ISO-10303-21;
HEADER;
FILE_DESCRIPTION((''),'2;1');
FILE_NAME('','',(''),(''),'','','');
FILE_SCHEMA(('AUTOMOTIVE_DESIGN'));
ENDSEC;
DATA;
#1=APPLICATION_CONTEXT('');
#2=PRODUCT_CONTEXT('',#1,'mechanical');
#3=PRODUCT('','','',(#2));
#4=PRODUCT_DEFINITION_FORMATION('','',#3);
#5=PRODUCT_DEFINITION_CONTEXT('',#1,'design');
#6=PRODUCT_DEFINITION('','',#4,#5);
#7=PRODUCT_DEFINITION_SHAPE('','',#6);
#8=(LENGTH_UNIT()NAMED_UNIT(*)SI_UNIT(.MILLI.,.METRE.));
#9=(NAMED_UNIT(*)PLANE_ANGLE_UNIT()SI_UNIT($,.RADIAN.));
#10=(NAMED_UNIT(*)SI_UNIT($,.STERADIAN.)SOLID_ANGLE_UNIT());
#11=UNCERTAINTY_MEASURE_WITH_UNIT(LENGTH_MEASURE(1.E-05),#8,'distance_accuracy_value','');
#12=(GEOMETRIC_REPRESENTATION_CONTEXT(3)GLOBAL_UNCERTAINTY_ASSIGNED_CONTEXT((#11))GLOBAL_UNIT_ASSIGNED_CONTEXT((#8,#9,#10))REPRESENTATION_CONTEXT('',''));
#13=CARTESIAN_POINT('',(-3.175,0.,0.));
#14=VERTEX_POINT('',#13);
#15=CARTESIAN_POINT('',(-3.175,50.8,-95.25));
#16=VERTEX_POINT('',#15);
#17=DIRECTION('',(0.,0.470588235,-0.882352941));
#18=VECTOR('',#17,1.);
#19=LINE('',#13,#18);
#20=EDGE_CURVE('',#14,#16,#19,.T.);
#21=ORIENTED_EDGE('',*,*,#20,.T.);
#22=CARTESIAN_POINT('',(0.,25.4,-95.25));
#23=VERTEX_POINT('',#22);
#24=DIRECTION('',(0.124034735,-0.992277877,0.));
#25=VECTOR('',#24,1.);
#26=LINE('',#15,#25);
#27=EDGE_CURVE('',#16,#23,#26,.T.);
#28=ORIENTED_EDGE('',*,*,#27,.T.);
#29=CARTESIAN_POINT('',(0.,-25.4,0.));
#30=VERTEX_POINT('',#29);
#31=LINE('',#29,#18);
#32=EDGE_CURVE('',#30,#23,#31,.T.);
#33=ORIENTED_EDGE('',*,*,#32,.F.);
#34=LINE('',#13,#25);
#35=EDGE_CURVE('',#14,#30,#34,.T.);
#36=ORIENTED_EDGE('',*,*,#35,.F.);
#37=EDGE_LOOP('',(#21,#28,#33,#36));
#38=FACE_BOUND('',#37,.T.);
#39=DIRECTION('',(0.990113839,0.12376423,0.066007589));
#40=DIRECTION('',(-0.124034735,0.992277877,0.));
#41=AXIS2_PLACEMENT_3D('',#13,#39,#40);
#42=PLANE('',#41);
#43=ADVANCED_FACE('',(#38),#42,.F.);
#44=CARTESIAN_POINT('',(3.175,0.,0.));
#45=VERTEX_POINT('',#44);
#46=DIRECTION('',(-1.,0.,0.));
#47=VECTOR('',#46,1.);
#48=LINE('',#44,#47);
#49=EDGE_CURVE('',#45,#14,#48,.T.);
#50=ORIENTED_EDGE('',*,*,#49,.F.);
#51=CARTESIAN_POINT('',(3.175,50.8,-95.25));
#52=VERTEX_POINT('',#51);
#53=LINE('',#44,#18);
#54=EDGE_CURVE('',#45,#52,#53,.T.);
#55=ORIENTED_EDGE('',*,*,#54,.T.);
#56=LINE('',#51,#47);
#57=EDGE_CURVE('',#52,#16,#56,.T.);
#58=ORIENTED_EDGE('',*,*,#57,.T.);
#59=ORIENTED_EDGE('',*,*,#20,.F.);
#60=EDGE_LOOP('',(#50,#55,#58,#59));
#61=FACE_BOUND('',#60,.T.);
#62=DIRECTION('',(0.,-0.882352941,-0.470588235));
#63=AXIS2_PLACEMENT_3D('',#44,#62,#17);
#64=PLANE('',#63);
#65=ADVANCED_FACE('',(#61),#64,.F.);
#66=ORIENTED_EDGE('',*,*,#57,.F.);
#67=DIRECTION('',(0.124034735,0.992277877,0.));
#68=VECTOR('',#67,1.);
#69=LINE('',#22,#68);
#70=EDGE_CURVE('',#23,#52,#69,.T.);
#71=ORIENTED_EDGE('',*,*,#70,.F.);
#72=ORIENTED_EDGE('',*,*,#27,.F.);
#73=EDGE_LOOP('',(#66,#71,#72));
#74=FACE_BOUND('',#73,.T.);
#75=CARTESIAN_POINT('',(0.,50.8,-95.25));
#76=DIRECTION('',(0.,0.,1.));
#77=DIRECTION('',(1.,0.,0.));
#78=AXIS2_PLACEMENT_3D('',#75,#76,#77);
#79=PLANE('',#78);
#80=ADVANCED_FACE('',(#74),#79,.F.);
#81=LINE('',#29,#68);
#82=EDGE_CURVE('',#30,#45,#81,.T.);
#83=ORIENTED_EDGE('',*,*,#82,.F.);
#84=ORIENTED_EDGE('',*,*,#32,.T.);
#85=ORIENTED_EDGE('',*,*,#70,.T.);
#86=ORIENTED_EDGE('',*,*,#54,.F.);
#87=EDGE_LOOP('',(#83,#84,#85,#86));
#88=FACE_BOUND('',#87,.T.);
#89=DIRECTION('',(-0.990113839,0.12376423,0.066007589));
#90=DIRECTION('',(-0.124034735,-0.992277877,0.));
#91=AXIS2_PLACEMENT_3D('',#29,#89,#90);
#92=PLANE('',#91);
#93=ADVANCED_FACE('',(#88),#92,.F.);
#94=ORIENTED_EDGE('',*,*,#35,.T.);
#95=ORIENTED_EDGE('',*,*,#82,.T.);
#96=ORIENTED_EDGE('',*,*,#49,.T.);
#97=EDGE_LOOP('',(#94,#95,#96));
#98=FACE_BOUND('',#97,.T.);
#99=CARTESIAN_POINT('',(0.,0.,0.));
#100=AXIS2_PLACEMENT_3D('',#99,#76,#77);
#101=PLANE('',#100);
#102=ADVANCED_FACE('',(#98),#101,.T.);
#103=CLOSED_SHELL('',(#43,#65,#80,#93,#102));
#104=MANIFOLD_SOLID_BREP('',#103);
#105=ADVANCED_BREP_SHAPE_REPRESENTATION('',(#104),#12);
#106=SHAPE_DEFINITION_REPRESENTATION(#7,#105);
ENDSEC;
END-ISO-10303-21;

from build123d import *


with BuildPart() as part:
    # Sweep1: sweep along a path in Sketch1
    with BuildLine(Plane(origin=(0, 0, 0), x_dir=(0, 0, -1), z_dir=(1, 0, 0))) as sweep1_path:
        Line((0, 0), (95.25, 50.8))
    # Sketch2 → Sweep1 (sweep)
    with BuildSketch(Plane.XY):
        Polygon((-3.175, 0), (0, -25.4), (3.175, 0), align=None)
    sweep(path=sweep1_path.line)


solid = part.part
